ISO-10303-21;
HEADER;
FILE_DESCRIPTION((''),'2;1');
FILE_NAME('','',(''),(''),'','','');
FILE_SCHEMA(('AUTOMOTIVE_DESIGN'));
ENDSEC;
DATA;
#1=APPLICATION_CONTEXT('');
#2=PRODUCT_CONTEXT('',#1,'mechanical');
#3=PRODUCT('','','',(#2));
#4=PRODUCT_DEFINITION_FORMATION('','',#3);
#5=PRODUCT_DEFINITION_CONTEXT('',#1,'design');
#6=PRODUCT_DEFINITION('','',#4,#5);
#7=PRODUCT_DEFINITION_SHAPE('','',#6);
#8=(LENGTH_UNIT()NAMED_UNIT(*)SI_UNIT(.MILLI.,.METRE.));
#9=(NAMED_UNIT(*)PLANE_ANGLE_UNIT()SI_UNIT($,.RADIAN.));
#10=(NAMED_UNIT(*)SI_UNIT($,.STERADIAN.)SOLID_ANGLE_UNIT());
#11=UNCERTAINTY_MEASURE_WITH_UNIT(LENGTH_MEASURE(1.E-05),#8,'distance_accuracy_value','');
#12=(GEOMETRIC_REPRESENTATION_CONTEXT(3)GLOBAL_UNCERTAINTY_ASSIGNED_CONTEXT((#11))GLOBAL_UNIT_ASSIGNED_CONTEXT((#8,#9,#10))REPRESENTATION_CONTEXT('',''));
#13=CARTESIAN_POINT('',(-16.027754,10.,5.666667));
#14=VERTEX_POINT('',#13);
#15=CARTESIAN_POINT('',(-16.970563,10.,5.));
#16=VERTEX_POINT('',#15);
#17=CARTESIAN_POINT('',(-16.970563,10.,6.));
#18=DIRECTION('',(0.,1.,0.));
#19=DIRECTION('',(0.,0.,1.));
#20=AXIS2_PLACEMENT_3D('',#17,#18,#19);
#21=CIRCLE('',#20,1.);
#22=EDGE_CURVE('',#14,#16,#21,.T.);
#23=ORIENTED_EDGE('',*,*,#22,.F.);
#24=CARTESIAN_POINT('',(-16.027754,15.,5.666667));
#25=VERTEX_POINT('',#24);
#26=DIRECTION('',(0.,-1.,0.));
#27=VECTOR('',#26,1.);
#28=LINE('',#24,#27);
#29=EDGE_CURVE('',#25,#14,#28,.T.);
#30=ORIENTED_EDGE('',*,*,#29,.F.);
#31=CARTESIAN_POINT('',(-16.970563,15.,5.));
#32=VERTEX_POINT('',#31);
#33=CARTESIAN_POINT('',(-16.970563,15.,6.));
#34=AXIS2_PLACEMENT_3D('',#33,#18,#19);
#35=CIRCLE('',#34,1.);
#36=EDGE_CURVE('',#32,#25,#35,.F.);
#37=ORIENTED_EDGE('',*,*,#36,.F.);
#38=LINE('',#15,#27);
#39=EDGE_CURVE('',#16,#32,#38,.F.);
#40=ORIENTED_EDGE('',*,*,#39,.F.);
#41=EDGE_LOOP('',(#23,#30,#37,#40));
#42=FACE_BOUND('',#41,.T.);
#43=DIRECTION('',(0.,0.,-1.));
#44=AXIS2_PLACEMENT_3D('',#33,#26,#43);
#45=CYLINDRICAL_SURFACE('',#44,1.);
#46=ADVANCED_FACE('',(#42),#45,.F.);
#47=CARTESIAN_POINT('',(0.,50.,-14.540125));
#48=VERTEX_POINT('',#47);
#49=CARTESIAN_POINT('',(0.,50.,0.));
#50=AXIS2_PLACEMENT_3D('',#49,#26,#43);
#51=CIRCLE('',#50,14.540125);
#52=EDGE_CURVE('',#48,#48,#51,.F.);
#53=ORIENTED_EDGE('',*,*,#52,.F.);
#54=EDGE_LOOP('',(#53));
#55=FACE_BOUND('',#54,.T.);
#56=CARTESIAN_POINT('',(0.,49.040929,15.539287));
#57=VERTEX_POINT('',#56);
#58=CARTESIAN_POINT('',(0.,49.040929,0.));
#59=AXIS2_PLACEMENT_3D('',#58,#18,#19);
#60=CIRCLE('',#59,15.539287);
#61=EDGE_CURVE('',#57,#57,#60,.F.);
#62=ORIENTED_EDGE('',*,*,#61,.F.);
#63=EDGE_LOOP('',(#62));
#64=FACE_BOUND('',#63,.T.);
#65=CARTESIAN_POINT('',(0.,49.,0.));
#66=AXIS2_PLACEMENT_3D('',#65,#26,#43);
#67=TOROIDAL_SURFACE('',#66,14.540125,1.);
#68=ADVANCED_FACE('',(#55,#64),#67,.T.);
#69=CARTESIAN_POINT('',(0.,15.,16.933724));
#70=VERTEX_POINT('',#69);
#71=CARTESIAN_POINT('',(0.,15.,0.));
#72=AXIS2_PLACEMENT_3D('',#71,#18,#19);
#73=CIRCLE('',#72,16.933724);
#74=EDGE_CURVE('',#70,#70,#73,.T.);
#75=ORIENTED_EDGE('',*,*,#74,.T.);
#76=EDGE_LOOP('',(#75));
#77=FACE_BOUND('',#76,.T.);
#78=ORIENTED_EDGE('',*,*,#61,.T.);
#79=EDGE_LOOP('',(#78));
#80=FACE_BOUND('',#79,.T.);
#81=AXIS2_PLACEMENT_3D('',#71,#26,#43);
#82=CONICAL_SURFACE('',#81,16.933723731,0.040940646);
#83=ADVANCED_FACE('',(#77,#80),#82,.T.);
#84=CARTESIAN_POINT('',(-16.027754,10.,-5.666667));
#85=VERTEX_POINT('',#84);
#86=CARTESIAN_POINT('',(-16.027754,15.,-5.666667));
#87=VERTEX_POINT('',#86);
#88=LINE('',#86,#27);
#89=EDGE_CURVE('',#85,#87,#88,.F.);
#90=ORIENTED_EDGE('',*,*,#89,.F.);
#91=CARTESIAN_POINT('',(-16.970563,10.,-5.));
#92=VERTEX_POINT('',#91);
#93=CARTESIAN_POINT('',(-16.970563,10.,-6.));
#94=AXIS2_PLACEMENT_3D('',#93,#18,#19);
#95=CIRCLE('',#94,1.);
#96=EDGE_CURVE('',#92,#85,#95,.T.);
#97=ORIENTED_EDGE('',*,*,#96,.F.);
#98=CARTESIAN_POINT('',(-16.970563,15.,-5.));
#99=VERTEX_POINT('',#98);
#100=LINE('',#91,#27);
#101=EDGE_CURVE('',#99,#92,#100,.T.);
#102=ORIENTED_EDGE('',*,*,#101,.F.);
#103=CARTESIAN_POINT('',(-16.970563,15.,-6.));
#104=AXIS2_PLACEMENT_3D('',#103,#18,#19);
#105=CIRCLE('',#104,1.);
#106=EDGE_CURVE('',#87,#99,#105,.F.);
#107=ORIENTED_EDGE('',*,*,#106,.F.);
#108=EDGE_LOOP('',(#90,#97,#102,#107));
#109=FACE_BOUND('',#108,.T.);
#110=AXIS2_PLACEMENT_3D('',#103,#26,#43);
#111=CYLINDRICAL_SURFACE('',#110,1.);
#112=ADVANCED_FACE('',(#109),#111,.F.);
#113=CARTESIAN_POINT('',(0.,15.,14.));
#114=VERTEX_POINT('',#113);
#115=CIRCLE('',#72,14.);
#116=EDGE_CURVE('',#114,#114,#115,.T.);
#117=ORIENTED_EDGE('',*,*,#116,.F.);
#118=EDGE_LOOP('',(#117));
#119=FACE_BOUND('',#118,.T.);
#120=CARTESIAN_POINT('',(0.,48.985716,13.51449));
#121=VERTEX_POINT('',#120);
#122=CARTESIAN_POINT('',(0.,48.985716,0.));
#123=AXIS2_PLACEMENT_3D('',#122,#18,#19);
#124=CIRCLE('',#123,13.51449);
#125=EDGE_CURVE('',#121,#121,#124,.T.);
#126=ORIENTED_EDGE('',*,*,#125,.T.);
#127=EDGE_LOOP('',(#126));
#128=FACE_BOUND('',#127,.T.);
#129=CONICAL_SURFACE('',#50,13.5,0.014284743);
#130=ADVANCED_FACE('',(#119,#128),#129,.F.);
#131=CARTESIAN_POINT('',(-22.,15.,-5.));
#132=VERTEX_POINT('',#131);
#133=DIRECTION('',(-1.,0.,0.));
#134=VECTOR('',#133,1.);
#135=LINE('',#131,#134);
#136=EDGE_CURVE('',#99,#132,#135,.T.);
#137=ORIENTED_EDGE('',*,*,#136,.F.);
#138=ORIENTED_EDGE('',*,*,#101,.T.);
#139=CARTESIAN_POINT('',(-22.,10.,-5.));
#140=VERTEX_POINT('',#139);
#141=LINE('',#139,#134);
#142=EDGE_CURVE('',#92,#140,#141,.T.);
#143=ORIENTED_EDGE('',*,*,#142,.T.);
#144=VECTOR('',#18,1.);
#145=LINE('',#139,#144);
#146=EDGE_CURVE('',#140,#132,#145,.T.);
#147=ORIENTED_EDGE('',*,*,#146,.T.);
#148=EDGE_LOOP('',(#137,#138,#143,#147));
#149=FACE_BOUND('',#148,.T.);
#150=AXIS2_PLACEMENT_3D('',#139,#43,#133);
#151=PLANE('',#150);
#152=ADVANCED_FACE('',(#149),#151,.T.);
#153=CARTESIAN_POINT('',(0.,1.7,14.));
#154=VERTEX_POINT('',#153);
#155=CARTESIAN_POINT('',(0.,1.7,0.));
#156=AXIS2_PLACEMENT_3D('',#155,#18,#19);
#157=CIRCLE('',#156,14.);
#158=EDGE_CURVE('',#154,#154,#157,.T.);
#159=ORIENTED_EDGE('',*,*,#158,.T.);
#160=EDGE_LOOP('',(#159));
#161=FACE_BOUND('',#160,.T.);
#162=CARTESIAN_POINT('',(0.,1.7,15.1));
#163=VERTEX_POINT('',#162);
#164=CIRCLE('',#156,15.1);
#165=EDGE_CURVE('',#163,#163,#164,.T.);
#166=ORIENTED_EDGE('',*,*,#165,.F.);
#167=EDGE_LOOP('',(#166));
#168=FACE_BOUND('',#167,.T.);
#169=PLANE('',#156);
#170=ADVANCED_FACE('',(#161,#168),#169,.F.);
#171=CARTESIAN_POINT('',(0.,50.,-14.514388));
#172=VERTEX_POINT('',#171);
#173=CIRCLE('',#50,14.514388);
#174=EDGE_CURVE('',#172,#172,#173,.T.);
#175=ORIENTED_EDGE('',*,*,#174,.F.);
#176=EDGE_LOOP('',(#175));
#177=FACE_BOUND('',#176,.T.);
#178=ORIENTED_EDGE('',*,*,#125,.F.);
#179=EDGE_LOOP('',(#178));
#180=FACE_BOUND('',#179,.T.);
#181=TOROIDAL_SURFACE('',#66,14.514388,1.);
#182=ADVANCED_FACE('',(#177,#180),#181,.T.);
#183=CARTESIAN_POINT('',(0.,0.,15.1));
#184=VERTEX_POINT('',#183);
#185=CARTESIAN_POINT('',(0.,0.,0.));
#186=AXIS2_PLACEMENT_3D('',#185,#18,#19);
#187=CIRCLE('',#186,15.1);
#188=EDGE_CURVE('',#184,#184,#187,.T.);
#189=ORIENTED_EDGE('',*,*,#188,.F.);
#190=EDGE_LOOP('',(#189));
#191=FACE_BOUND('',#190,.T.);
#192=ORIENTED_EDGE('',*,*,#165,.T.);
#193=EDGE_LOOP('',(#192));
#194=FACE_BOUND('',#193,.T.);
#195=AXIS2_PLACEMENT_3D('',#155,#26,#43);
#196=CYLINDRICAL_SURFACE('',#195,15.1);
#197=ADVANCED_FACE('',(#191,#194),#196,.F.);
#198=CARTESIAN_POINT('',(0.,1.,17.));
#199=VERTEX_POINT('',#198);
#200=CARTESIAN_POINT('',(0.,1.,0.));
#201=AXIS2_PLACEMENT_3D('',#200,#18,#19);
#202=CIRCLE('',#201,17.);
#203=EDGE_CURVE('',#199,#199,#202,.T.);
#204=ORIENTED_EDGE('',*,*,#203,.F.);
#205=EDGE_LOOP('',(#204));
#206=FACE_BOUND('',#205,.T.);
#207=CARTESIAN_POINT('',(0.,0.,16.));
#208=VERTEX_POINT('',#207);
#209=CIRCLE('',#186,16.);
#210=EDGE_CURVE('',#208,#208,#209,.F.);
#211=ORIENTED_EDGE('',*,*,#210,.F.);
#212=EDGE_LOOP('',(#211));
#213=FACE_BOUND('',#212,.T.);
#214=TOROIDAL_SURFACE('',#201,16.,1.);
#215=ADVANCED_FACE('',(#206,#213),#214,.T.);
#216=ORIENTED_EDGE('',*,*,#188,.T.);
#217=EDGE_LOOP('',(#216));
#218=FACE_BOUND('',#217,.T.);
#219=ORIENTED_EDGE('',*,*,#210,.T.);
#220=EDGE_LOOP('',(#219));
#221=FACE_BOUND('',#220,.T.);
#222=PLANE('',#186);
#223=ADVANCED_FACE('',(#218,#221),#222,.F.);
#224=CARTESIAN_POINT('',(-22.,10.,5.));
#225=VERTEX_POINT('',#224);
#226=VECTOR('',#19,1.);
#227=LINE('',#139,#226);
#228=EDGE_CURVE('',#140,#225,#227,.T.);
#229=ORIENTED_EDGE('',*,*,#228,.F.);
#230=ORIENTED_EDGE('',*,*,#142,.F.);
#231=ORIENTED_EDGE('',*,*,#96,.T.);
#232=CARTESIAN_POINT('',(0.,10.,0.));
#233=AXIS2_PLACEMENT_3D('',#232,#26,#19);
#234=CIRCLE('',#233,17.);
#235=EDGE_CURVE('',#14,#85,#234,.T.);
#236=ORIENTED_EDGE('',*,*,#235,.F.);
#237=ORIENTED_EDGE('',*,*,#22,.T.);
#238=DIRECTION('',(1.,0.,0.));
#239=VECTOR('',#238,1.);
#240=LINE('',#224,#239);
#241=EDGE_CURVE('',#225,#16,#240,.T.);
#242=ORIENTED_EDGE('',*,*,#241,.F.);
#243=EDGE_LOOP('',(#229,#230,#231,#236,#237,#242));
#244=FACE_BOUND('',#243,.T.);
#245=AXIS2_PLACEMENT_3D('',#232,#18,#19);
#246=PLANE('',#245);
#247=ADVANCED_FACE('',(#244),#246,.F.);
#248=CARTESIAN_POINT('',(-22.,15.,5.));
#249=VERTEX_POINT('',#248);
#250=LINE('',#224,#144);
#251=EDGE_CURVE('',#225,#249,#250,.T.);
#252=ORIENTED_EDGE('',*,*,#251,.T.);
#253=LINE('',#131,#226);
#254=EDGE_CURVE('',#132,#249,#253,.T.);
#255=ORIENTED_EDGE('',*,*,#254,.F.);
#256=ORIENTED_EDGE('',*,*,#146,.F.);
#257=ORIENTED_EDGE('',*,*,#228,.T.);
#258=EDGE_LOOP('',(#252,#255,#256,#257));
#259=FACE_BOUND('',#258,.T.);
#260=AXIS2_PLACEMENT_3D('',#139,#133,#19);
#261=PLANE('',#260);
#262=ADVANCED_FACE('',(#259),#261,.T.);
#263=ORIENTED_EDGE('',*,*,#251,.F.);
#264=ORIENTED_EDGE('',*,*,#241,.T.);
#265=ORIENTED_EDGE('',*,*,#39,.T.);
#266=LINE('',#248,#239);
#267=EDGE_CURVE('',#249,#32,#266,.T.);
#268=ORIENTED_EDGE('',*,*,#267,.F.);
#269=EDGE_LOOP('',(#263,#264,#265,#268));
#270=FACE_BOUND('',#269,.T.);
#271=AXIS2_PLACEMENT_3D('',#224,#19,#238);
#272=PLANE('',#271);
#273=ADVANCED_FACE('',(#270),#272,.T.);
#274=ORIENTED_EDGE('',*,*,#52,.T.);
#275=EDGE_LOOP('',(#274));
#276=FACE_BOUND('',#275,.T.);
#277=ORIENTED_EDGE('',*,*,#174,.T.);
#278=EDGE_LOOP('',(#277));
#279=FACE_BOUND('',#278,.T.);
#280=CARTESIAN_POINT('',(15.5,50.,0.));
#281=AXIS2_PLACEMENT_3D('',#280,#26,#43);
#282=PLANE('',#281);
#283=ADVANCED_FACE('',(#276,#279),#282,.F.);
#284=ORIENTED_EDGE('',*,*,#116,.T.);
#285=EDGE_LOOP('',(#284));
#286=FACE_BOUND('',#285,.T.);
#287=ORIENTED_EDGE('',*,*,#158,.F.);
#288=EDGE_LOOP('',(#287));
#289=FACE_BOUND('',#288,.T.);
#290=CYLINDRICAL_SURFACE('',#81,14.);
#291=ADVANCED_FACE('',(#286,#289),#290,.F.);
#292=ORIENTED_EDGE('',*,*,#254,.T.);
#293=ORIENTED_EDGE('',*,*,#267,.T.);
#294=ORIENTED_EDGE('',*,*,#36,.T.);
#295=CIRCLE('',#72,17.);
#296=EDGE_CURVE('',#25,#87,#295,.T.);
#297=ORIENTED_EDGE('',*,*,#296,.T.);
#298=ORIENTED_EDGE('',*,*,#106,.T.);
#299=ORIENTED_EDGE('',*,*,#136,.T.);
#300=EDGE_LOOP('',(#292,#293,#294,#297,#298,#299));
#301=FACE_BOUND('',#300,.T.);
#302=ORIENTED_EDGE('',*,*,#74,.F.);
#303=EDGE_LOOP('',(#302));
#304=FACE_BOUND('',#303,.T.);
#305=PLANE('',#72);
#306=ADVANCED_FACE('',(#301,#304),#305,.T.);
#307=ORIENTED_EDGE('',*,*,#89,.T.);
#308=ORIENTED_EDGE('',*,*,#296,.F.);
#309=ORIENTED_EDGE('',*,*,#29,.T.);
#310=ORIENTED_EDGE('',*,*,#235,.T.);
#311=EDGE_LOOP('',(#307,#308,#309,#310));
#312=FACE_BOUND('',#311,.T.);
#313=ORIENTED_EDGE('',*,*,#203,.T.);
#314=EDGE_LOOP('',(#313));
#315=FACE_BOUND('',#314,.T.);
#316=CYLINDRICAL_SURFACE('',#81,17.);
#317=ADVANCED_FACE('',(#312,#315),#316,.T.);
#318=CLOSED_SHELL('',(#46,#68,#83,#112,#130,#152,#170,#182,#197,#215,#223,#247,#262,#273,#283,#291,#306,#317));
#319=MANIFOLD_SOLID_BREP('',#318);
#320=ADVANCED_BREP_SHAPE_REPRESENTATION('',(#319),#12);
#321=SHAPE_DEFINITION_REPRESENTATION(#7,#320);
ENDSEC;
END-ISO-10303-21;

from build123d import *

# Parameters (mm, degrees)
SKETCH_1_R          = 17
SKETCH_1_R_2        = 14
EXTRUDE_1_DEPTH     = 15
SKETCH_2_R          = 15.1
SKETCH_2_R_2        = 14
CUT_EXTRUDE_1_DEPTH = 1.7
EXTRUDE_2_DEPTH     = 5
FILLET_1_R          = 1
FILLET_2_R          = 1


with BuildPart() as part:
    # 草图1 → 凸台-拉伸1 (new body)
    with BuildSketch(Plane(origin=(0, 0, 0), x_dir=(1, 0, 0), z_dir=(0, 1, 0))):
        Circle(SKETCH_1_R)
        Circle(SKETCH_1_R_2, mode=Mode.SUBTRACT)
    extrude(amount=EXTRUDE_1_DEPTH)

    # 草图2 → 切除-拉伸1 (cut)
    with BuildSketch(Plane(origin=(0, 0, 0), x_dir=(1, 0, 0), z_dir=(0, 1, 0))):
        Circle(SKETCH_2_R)
        Circle(SKETCH_2_R_2, mode=Mode.SUBTRACT)
    extrude(amount=CUT_EXTRUDE_1_DEPTH, mode=Mode.SUBTRACT)

    # 草图3 → 凸台-拉伸2 (add)
    with BuildSketch(Plane(origin=(0, 15, 0), x_dir=(1, 0, 0), z_dir=(0, 1, 0))):
        with BuildLine():
            Line((-22, 5), (-22, -5))
            Line((-22, -5), (-16.248076809, -5))
            ThreePointArc((-16.248076809, -5), (-17, 0), (-16.248076809, 5))
            Line((-16.248076809, 5), (-22, 5))
        make_face()
    extrude(amount=-EXTRUDE_2_DEPTH)

    # 草图11 → 旋转1 (revolve)
    with BuildSketch(Plane.XY):
        Polygon((13.5, 50), (14, 15), (16.933723731, 15), (15.5, 50), align=None)
    revolve(axis=Axis((0, 50, 0), (0, -1, 0)))

    # 圆角1
    fillet_1_edges = [part.edges().sort_by_distance(p)[0] for p in [
        (-17, 0, 0),
        (-15.5, 50, 0),
        (-13.5, 50, 0),
    ]]
    fillet(fillet_1_edges, radius=FILLET_1_R)

    # 圆角2
    fillet_2_edges = [part.edges().sort_by_distance(p)[0] for p in [
        (-16.248076809, 12.5, -5),
        (-16.248076809, 12.5, 5),
    ]]
    fillet(fillet_2_edges, radius=FILLET_2_R)


solid = part.part
